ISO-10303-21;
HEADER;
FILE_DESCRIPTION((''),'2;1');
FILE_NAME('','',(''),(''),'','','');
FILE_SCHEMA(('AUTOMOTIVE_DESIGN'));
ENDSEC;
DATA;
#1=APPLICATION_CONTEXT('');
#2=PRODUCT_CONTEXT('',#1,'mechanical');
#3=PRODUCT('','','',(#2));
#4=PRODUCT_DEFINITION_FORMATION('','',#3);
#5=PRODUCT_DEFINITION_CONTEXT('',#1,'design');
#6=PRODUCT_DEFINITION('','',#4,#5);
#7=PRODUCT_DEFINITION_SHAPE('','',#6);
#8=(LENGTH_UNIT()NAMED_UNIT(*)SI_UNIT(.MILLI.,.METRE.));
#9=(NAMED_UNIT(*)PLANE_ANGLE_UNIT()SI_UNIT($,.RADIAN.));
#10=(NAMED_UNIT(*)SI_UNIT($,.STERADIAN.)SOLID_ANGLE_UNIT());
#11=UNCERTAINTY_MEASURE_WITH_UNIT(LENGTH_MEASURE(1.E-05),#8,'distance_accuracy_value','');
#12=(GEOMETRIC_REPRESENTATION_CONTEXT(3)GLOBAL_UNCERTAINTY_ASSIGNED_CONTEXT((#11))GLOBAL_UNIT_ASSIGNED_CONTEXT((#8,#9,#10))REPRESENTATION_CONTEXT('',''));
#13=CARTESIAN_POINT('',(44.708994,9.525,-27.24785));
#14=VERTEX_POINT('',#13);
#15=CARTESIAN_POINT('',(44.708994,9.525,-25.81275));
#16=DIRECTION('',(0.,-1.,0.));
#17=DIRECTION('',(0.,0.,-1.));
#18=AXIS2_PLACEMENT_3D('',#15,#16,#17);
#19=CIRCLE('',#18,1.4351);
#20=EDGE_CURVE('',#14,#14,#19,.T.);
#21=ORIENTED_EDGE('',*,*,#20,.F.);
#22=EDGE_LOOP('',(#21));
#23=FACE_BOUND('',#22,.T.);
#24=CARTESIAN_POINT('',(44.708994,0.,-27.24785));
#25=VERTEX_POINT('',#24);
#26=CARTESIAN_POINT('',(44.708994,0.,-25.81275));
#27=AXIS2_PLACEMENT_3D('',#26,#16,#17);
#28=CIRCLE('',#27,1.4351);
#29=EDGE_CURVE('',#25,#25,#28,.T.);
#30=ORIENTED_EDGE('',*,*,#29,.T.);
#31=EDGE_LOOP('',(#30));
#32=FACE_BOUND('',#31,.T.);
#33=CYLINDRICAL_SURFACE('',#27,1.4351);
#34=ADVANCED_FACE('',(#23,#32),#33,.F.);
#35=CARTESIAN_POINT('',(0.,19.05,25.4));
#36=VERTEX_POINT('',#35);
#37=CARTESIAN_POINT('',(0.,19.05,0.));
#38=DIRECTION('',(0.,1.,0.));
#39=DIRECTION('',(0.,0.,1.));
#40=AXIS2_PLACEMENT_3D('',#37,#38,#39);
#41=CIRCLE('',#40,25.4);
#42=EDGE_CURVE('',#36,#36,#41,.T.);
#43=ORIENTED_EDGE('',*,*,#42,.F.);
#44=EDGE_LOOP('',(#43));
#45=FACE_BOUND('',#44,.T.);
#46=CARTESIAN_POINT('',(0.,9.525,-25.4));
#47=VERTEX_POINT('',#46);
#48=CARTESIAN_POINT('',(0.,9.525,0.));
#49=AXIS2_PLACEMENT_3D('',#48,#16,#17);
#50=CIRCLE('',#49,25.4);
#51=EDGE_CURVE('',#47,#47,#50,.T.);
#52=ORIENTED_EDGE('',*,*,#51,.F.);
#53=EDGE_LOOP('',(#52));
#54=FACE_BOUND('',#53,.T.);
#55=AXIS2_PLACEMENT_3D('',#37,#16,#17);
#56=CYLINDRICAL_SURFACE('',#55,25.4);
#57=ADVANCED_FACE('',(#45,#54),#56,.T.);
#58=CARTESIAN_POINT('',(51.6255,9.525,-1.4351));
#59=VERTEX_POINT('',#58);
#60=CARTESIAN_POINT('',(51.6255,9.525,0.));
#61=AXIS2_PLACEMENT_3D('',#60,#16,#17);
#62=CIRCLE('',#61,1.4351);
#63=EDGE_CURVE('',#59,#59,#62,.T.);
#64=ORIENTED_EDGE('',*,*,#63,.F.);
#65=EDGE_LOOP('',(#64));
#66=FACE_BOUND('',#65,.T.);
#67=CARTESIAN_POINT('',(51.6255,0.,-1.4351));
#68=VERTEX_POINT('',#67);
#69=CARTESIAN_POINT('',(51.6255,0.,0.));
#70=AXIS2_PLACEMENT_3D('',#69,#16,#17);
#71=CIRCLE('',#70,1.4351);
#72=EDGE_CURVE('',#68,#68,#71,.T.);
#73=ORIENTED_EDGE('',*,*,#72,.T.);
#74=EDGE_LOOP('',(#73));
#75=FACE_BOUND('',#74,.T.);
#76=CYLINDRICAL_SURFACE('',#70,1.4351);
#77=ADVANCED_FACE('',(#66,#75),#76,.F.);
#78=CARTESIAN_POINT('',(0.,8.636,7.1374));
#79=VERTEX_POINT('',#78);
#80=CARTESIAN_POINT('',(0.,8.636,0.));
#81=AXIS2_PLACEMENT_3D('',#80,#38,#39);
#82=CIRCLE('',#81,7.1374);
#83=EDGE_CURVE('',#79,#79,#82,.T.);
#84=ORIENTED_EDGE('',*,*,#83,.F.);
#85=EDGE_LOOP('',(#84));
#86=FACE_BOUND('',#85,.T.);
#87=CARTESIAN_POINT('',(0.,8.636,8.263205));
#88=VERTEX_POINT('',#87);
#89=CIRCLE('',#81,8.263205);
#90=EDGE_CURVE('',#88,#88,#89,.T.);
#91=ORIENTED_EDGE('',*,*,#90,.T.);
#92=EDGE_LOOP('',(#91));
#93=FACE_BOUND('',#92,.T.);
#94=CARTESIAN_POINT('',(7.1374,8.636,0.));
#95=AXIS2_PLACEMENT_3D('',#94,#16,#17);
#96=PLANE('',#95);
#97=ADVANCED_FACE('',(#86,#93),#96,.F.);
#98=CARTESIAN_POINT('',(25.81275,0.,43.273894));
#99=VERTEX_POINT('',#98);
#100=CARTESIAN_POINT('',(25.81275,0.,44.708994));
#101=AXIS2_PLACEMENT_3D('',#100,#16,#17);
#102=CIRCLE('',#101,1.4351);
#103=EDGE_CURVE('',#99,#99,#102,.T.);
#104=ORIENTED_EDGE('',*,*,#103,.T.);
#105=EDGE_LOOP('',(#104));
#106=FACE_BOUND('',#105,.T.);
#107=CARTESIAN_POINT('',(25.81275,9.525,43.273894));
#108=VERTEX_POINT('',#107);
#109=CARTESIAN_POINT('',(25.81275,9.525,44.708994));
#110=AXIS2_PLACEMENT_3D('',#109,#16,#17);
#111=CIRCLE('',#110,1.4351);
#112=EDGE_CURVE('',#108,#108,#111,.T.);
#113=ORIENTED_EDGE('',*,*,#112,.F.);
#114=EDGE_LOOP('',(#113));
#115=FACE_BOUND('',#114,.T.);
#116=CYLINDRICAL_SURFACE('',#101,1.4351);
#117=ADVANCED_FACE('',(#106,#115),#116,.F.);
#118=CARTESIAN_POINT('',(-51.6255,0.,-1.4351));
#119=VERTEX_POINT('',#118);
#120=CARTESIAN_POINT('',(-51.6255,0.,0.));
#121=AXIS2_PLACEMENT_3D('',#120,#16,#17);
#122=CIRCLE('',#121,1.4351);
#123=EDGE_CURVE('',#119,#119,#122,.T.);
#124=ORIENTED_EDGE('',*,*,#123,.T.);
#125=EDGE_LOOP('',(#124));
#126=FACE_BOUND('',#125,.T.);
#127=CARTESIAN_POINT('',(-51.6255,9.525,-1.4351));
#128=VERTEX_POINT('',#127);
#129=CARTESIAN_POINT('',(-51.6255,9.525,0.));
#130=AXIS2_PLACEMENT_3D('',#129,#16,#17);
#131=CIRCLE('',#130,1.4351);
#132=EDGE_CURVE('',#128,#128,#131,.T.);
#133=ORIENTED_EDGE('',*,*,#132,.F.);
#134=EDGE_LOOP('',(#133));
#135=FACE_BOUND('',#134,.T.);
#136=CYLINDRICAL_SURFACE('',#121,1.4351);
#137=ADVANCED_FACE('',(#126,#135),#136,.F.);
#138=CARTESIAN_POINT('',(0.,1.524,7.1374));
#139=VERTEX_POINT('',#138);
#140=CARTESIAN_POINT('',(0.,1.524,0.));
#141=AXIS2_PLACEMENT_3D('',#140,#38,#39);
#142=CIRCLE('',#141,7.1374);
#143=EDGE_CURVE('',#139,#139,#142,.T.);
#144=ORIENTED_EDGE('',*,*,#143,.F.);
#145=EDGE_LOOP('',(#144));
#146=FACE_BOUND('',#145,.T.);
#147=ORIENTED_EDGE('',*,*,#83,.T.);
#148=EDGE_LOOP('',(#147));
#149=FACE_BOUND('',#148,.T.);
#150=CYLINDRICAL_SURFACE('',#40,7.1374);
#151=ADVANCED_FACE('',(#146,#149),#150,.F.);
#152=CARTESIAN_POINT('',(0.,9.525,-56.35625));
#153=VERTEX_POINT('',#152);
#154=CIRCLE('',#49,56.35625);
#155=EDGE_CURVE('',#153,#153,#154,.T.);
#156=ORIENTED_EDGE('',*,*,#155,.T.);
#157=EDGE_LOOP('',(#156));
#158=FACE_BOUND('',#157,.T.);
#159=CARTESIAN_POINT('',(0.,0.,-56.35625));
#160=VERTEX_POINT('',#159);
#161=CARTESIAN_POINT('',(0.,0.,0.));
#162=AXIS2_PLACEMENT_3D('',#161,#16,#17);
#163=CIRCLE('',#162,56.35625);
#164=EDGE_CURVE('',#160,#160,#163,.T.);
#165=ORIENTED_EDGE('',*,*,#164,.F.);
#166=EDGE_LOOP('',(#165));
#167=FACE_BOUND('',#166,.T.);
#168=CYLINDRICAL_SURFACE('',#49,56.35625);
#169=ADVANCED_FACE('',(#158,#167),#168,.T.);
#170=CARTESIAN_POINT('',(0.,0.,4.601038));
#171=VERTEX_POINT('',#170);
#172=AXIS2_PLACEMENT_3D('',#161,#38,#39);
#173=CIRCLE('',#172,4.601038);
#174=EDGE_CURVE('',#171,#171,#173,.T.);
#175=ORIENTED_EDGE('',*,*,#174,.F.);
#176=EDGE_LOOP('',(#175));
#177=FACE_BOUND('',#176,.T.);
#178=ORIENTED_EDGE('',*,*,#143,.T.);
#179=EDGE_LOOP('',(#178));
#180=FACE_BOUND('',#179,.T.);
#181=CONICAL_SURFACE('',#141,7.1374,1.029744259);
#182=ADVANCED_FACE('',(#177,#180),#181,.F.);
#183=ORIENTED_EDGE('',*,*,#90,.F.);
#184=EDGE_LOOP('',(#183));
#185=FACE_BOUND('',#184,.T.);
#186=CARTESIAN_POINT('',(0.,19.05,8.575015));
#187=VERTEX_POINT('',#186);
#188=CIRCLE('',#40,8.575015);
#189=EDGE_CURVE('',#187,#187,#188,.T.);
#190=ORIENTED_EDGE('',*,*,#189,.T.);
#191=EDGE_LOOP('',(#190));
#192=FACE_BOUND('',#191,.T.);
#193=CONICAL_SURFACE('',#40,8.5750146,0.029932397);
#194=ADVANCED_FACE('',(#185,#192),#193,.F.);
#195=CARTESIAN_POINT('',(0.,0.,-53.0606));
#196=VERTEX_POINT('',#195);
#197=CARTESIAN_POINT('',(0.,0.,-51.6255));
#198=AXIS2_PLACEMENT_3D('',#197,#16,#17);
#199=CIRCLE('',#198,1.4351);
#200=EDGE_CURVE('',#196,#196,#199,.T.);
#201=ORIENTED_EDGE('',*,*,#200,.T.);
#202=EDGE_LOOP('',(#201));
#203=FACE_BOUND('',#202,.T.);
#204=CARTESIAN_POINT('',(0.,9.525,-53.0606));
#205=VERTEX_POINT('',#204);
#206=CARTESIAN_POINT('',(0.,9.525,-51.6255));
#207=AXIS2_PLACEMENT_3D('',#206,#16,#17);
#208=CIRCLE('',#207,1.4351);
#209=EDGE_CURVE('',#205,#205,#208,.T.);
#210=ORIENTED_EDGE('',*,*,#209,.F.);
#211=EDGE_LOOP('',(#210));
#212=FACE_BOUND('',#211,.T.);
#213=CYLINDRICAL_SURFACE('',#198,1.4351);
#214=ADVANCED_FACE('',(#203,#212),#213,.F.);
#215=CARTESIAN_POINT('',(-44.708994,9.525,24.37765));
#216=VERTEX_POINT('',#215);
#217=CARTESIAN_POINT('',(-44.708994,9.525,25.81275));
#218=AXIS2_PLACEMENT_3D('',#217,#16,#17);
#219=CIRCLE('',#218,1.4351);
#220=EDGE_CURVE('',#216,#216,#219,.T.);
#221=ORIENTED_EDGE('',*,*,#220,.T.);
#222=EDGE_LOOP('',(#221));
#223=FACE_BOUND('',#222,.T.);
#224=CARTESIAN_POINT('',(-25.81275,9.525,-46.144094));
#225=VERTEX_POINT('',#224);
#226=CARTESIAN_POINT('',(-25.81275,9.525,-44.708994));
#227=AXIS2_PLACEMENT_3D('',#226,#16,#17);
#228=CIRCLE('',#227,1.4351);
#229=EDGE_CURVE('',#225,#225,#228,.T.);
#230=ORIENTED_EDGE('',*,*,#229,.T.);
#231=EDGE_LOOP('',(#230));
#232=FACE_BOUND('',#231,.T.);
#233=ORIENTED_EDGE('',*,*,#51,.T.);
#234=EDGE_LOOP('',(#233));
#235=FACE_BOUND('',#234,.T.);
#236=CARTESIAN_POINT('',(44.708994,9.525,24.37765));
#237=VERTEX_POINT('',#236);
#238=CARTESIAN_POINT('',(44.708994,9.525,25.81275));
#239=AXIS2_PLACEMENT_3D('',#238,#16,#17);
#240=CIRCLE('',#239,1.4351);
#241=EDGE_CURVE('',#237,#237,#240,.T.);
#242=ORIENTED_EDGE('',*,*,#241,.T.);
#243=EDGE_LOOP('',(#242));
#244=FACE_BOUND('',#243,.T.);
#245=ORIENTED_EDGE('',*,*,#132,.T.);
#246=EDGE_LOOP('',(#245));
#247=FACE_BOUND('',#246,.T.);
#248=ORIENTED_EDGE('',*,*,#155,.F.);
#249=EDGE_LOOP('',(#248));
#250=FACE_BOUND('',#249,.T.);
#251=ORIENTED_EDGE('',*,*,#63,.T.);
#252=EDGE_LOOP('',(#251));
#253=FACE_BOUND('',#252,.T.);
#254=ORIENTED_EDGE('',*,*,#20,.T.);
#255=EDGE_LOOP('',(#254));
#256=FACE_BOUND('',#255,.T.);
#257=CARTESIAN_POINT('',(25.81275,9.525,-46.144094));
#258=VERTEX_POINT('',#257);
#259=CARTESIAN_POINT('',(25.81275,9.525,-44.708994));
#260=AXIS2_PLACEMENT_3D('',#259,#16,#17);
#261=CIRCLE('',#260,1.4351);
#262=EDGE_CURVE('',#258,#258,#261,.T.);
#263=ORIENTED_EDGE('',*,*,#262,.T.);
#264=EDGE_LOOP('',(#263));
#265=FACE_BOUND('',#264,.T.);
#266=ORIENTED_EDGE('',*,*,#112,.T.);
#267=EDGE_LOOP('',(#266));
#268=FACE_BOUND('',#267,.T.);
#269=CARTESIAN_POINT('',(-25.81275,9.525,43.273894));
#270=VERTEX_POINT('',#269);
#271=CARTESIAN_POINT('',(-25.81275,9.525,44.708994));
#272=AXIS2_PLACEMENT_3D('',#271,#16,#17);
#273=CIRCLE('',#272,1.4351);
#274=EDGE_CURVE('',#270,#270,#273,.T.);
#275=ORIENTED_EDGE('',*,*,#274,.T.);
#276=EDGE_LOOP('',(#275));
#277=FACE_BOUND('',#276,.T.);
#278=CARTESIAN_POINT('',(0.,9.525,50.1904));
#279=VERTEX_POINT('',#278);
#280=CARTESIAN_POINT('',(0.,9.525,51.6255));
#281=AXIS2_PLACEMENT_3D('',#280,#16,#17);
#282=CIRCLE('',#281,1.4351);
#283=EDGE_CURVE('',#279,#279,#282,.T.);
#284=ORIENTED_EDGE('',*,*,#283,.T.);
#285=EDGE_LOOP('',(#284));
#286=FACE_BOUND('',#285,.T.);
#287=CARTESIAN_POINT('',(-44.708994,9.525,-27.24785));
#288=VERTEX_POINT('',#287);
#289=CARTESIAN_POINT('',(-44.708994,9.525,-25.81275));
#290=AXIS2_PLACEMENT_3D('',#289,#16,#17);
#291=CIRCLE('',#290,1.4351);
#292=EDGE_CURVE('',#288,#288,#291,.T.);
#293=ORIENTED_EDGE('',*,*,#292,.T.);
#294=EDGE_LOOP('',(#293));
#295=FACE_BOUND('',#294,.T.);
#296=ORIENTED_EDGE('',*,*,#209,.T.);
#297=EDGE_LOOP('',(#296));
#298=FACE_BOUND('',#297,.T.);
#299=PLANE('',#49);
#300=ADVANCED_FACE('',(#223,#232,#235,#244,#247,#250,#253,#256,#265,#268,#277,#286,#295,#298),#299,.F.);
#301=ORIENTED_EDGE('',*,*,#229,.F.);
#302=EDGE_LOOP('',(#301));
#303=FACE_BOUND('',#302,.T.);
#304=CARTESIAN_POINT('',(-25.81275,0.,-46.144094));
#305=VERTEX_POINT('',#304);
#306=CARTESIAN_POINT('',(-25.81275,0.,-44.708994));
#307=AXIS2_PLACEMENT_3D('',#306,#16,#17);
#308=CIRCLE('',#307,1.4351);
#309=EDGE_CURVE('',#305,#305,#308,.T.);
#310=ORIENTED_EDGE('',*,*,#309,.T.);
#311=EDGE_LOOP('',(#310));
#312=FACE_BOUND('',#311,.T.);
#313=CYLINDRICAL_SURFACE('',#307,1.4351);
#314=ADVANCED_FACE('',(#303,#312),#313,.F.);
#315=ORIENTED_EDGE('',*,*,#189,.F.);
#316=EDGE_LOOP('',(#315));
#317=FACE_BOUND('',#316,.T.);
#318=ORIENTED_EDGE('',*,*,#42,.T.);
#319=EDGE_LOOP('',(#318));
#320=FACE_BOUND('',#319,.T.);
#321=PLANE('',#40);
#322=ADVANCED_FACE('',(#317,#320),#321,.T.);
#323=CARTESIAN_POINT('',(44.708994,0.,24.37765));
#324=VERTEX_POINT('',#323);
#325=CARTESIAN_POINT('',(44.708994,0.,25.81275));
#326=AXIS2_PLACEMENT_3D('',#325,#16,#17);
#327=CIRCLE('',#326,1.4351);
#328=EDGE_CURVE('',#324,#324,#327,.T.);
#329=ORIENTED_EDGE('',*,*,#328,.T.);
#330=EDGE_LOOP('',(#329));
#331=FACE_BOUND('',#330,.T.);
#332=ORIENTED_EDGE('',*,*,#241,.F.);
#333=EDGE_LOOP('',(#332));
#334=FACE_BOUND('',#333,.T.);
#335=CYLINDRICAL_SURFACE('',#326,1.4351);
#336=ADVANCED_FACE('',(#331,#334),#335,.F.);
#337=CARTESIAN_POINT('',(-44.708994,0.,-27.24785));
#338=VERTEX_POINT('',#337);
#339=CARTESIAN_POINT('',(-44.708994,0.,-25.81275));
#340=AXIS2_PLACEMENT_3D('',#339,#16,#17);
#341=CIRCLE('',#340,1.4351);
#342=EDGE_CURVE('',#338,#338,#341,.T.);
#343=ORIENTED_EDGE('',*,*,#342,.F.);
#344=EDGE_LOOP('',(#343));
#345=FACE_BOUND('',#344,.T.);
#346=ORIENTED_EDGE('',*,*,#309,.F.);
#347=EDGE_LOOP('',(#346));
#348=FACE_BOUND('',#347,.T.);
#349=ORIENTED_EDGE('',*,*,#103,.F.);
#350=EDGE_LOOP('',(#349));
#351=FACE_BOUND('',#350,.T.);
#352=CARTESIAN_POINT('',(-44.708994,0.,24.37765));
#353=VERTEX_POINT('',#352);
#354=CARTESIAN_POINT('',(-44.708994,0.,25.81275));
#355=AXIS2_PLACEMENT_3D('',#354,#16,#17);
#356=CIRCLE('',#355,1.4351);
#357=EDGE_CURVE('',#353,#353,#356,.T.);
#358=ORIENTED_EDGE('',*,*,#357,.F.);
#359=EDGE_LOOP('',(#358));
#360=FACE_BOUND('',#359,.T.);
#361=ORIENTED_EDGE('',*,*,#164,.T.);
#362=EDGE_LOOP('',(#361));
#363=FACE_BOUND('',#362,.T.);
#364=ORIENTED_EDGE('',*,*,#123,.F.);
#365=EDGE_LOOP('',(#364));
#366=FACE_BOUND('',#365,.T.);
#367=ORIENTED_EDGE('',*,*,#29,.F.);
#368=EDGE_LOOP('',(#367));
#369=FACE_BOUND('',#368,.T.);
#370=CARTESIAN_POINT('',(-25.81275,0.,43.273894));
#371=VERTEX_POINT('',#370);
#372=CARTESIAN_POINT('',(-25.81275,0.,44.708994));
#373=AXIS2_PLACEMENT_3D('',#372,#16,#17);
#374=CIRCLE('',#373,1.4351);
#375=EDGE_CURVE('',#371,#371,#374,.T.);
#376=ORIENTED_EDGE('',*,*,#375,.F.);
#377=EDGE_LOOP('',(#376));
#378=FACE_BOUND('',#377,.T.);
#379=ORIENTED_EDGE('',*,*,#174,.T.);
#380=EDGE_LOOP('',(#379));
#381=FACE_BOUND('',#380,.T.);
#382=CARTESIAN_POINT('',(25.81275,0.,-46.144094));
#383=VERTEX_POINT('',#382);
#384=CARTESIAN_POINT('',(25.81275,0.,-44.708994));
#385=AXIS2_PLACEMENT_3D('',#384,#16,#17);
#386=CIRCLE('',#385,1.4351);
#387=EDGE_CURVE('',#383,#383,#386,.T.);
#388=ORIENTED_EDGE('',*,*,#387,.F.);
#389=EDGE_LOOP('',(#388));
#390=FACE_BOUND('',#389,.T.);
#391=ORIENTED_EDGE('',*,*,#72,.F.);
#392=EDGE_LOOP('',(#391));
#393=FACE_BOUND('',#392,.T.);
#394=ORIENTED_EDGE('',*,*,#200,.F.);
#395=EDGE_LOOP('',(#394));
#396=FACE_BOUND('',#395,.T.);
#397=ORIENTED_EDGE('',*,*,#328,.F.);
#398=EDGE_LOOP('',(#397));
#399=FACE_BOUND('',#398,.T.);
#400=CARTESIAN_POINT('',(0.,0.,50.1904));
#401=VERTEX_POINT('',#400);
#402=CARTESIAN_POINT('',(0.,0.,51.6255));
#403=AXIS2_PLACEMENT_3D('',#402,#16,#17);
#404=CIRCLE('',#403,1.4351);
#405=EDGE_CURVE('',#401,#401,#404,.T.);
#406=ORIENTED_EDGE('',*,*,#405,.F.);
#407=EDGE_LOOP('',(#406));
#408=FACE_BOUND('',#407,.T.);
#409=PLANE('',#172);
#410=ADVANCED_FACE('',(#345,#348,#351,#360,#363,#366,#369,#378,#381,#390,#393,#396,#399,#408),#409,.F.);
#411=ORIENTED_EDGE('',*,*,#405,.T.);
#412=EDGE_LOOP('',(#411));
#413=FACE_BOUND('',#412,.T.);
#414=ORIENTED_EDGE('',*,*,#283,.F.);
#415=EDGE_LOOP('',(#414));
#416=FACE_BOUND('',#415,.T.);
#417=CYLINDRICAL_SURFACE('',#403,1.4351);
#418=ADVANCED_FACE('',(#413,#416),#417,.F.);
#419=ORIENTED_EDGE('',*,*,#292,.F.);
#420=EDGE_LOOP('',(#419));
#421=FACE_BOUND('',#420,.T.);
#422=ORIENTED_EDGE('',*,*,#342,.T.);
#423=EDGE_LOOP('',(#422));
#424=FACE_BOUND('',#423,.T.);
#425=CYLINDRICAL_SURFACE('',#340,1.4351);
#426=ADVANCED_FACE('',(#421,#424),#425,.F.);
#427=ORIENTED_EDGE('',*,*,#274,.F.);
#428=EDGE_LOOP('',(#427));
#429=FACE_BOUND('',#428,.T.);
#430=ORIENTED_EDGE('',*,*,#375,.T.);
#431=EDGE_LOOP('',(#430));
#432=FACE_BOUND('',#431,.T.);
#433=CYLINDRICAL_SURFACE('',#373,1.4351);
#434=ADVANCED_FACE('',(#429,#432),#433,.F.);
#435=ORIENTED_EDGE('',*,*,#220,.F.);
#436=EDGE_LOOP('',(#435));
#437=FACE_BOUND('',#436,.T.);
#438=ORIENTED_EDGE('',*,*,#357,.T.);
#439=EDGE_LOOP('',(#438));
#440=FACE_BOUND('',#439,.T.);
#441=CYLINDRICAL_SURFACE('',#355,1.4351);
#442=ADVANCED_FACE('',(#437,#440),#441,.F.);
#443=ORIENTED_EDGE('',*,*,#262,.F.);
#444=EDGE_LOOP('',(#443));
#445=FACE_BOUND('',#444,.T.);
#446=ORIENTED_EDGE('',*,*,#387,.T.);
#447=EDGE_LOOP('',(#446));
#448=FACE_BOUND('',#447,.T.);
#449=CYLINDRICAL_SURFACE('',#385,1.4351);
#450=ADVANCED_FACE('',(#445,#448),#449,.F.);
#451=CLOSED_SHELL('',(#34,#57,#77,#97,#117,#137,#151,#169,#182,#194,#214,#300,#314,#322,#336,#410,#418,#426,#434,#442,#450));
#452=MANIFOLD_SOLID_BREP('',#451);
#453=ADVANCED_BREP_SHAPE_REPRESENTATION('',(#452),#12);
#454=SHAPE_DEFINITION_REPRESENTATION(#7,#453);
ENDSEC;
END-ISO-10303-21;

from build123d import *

# Parameters (mm, degrees)
SKETCH2_R           = 25.4
BASE_CYLINDER_DEPTH = 19.05
SKETCH3_R           = 56.35625
AFT_FLANGE_DEPTH    = 9.525
BOLT_CIRCLE_D       = 2.8702
BOLT_CIRCLE_DEPTH   = 9.525


with BuildPart() as part:
    # Sketch2 → Base Cylinder (new body)
    with BuildSketch(Plane(origin=(0, 0, 0), x_dir=(1, 0, 0), z_dir=(0, 1, 0))):
        Circle(SKETCH2_R)
    extrude(amount=BASE_CYLINDER_DEPTH)

    # Sketch3 → Aft Flange (add)
    with BuildSketch(Plane.XZ):
        Circle(SKETCH3_R)
    extrude(amount=-AFT_FLANGE_DEPTH)

    # Bolt Circle
    with Locations(Plane(origin=(0, 0, 0), x_dir=(-1, 0, 0), z_dir=(0, -1, 0))):
        with Locations((-25.81275, -44.708994483), (-44.708994483, -25.81275), (-51.6255, 0), (-44.708994483, 25.81275), (-25.81275, 44.708994483), (0, 51.6255), (25.81275, 44.708994483), (44.708994483, 25.81275), (51.6255, 0), (44.708994483, -25.81275), (25.81275, -44.708994483), (0, -51.6255)):
            Hole(BOLT_CIRCLE_D / 2, depth=BOLT_CIRCLE_DEPTH)

    # Sketch17 → 3/8 NPT Tapped Hole1 (revolve, cut)
    with BuildSketch(Plane(origin=(0, 19.05, 0), x_dir=(0, 0, 1), z_dir=(1, 0, 0))):
        Polygon((0, 0), (0, 21.814582582), (7.1374, 17.526), (7.1374, 10.414), (8.263205494, 10.414), (8.5750146, 0), align=None)
    revolve(axis=Axis((0, 25.4, 0), (0, -1, 0)), mode=Mode.SUBTRACT)


solid = part.part
